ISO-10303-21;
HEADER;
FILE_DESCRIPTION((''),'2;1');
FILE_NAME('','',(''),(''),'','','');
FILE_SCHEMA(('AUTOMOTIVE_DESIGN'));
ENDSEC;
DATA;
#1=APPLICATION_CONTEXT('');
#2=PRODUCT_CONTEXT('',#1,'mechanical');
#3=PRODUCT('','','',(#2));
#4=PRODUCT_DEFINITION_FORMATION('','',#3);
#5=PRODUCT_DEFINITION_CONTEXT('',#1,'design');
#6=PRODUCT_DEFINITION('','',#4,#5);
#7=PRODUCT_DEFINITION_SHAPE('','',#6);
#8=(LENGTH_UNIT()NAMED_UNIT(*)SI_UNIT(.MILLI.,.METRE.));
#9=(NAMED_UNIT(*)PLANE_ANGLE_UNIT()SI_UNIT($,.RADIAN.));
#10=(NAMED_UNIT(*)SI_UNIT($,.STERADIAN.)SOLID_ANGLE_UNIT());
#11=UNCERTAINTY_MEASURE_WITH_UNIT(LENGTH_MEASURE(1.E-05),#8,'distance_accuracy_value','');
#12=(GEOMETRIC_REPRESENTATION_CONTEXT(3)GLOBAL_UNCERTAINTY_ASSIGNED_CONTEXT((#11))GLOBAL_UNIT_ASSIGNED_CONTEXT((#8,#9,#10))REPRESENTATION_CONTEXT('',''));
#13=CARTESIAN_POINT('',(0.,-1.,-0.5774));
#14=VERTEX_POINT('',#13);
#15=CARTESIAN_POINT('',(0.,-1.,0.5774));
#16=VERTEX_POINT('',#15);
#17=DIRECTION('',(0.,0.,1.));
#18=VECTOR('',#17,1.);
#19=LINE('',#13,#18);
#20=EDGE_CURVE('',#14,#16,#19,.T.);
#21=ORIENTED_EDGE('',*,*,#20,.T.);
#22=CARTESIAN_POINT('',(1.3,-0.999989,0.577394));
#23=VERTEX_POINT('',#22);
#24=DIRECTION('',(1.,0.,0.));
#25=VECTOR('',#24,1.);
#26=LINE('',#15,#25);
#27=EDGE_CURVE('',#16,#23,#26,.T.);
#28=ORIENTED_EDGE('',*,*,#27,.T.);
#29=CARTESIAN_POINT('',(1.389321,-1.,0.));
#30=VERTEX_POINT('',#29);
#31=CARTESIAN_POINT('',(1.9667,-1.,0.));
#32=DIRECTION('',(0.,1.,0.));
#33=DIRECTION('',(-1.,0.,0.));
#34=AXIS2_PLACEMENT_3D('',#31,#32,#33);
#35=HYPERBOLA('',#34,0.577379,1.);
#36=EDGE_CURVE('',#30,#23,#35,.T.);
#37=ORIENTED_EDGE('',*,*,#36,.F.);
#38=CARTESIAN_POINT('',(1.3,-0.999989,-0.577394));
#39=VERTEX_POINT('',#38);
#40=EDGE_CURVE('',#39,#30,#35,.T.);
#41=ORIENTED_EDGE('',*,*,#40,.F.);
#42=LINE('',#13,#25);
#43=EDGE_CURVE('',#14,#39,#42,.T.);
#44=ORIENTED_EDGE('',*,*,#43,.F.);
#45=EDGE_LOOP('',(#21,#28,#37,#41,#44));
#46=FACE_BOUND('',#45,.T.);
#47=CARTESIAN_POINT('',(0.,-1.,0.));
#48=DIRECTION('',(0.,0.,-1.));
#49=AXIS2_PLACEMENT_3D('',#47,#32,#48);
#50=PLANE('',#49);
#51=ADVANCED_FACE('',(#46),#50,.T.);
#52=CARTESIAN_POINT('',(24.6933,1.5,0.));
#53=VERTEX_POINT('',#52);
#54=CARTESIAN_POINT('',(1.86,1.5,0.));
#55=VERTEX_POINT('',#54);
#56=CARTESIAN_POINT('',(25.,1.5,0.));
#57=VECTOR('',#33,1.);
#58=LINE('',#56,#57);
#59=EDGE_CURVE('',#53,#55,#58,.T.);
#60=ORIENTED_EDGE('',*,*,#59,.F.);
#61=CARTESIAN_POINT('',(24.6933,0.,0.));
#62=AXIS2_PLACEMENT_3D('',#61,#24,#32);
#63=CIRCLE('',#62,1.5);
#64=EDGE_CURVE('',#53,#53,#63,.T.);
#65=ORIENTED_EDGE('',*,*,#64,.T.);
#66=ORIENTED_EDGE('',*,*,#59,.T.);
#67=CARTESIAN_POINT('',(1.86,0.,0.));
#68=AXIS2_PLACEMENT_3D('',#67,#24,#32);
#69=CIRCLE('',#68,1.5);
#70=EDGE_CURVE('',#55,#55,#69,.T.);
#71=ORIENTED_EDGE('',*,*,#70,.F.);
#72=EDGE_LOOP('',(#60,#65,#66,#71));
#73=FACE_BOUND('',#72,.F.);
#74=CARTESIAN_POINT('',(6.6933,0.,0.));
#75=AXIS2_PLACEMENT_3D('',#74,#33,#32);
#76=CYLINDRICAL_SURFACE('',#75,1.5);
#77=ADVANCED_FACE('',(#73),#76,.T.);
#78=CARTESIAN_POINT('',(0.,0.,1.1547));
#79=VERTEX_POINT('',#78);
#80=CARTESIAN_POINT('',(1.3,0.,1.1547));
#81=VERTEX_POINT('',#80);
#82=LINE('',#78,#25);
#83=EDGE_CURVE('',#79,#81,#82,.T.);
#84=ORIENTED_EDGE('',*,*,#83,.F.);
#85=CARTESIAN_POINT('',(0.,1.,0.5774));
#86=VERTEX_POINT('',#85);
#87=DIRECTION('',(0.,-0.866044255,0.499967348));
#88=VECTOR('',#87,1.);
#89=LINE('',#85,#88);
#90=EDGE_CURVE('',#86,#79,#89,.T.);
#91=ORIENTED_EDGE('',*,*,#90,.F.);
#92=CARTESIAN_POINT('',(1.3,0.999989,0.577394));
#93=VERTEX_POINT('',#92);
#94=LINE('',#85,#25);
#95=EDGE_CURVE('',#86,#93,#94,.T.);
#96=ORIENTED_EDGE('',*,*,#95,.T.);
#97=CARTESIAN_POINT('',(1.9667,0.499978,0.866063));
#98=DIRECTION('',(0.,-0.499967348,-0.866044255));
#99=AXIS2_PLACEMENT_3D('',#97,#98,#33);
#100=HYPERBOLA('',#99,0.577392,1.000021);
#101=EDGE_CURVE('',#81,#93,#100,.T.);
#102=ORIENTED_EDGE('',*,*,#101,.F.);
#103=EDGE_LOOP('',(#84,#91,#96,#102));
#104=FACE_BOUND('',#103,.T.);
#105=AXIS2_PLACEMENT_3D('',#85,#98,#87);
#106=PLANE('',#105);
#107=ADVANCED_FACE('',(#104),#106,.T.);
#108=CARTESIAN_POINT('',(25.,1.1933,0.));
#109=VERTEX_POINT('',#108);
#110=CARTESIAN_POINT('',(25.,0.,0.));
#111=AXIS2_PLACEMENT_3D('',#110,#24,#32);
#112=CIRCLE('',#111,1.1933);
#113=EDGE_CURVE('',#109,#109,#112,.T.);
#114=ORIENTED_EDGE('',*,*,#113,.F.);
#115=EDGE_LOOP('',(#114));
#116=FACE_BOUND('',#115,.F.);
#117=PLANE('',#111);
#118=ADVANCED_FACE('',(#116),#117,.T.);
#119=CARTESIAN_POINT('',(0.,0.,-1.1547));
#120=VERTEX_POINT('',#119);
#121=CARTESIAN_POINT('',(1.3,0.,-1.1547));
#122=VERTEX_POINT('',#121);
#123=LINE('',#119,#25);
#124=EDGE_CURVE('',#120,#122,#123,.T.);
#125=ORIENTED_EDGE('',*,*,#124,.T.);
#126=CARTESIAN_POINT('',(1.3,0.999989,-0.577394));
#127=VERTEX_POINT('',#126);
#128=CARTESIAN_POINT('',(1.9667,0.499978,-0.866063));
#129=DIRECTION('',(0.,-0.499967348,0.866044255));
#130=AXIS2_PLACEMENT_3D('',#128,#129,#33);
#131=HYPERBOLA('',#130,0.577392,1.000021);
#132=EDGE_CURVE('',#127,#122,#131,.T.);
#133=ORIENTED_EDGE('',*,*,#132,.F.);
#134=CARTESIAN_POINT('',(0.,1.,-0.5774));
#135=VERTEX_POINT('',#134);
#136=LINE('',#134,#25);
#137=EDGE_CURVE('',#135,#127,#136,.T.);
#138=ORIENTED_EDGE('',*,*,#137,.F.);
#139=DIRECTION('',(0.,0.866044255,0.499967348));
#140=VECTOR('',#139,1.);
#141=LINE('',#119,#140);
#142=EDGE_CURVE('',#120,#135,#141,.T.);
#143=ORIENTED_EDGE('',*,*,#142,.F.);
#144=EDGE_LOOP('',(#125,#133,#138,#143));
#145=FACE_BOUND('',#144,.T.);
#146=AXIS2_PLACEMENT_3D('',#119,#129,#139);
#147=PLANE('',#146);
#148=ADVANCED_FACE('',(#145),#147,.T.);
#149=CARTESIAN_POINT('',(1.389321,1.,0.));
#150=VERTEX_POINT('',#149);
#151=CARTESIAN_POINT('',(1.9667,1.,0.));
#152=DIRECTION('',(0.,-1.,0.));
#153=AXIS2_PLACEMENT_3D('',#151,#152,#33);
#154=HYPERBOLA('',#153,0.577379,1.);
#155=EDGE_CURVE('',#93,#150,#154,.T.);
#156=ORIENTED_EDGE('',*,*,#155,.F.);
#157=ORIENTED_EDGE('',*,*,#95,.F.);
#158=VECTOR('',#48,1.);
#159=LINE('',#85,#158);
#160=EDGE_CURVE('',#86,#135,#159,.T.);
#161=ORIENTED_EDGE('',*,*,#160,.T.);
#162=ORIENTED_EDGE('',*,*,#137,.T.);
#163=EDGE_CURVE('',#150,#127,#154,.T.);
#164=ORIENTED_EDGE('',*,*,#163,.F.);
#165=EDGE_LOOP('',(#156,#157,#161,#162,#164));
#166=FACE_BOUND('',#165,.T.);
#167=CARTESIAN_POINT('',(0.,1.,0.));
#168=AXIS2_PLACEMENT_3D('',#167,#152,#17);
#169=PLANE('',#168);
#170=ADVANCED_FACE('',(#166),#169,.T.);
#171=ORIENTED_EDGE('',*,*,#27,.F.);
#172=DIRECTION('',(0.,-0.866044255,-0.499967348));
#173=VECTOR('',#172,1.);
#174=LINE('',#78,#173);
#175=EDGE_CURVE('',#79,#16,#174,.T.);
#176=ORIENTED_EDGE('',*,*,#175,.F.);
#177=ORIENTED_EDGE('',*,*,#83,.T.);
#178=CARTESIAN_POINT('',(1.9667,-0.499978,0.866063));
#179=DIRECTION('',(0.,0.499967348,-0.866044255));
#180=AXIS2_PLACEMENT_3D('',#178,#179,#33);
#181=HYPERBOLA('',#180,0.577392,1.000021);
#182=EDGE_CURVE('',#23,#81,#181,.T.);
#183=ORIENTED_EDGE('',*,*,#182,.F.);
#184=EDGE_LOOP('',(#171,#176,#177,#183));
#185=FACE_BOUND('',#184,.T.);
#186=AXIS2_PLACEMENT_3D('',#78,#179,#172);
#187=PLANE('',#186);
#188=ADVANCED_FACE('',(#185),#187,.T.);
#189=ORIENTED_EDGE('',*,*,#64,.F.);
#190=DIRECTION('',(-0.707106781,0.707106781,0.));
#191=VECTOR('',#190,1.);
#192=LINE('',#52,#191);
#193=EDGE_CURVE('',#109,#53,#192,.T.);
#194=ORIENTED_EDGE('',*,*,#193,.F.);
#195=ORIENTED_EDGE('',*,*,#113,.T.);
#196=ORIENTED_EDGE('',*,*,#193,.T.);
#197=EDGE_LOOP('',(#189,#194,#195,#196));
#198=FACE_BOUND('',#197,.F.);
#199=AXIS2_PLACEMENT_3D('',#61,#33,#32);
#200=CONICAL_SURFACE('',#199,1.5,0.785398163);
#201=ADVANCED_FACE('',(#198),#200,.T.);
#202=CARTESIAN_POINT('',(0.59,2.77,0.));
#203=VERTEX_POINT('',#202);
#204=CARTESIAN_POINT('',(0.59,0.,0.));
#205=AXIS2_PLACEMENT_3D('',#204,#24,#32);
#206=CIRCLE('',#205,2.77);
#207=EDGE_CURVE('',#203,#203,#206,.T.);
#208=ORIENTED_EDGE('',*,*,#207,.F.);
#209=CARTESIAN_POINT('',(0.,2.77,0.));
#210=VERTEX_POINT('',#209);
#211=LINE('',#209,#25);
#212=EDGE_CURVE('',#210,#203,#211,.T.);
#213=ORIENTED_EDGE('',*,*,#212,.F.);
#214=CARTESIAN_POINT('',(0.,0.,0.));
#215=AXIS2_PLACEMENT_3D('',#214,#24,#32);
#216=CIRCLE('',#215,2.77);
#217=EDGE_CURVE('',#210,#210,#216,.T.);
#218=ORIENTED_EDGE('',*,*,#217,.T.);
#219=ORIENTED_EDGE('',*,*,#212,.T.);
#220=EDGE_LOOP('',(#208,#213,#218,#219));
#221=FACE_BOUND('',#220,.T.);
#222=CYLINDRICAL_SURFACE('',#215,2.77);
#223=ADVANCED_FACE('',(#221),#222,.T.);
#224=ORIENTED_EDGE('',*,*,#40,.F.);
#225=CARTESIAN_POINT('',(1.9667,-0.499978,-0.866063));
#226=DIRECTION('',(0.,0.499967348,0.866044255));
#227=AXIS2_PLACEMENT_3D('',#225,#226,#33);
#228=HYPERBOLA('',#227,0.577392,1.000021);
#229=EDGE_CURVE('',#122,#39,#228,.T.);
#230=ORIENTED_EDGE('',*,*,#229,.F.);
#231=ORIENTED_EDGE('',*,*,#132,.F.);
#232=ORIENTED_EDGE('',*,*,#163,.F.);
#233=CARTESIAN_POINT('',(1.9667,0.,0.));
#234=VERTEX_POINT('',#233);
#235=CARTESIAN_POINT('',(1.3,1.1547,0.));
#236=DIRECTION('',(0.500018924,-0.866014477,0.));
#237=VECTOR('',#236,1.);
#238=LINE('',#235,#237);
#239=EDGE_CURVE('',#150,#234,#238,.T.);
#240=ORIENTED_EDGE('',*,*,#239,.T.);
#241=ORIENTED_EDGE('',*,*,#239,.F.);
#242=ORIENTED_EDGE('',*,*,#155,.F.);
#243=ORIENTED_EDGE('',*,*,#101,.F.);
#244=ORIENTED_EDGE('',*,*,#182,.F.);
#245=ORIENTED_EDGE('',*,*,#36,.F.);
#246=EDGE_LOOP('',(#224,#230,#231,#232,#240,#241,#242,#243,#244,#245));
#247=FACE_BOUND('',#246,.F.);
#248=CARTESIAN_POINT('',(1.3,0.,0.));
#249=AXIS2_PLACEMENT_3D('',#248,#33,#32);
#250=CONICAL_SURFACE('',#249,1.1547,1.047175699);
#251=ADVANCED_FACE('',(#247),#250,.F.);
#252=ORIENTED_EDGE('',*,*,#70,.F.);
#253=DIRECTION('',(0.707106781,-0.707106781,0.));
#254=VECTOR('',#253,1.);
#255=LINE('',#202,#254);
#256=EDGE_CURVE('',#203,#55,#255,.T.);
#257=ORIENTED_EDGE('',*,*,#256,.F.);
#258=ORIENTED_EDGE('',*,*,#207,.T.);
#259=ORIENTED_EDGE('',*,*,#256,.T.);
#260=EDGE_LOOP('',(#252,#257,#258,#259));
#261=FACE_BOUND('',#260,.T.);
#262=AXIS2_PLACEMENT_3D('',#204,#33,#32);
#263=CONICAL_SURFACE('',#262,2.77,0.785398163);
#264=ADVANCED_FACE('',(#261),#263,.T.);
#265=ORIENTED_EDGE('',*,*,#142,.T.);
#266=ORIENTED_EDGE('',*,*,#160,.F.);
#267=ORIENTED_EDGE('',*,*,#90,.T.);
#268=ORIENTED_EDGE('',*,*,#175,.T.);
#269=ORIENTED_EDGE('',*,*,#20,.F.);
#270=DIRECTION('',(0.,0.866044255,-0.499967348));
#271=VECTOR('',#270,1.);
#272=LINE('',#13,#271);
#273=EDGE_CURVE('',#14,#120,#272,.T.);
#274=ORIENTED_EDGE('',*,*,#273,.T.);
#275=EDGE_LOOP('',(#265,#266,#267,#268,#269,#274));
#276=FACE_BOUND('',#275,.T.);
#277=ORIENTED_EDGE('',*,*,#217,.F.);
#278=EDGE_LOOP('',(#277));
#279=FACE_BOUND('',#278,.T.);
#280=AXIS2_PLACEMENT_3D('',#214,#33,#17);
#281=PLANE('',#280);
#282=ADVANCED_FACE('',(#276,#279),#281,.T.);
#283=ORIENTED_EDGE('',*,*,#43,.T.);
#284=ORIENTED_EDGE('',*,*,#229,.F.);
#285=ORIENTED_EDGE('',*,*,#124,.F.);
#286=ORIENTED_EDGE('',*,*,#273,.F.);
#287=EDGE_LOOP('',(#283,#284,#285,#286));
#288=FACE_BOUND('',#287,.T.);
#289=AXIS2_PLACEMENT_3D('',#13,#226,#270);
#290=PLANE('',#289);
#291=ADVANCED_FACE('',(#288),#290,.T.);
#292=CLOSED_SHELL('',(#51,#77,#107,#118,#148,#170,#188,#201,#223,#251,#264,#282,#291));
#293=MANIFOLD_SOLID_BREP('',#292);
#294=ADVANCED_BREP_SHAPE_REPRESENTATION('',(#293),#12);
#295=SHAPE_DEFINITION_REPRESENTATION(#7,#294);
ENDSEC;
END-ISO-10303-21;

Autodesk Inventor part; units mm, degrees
ref_plane "YZ Plane" through (0, 0, 0) normal (1, 0, 0) x (0, 1, 0)
ref_plane "XZ Plane" through (0, 0, 0) normal (0, 1, 0) x (-1, 0, 0)
sketch "Esquisse1" plane through (0, 0, 0) normal (0, 0, 1) x (1, 0, 0)
  line L0 (25, 0) -> (25, 1.5)
  line L1 (25, 1.5) -> (7, 1.5)
  line L2 (7, 1.5) -> (6.6933, 1.5)
  line L3 (0, 2.77) -> (0, 1.1547)
  line L4 (0, 1.1547) -> (1.3, 1.1547)
  line L5 (1.3, 1.1547) -> (1.9667, 0)
  line L6 (1.9667, 0) -> (25, 0)
  line L7 (0, 2.77) -> (0.59, 2.77)
  line L8 (0.59, 2.77) -> (1.86, 1.5)
  line L9 (6.6933, 1.5) -> (1.86, 1.5)
  line L10 (7, 1.5) -> (1.86, 1.5) construction
  line L11 (1.86, 1.5) -> (1.86, 1.5)
  line L12 (-5, 0) -> (30, 0) projected
  line L13 (0, -0.554) -> (0, 3.324) projected
  dimension "d0" = 25
  dimension "d1" = 18
  dimension "d2" = 1.3
  dimension "d3" = 3
  dimension "d6" = 1.86
  dimension "d7" = 45
  dimension "d8" = 2.3094
  dimension "d9" = 60
  dimension "d10" = 5.54
  dimension "d11" = 3
  dimension "d12" = 0.3067
revolve "Corps" add sketch "Esquisse1" angle 360 about axis through (1.9667, 0, 0) along (1, 0, 0) contours L6 L5 L4 L3 L7 L8 L9 L2 L1 L0
sketch "Esquisse2" plane through (0, 0, 0) normal (-1, 0, 0) x (0, 0, 1)
  circle A0 centre (0, 0) radius 1.1547 projected
  line L0 (0, -3.878) -> (0, 3.878) projected
  line L1 (-3.878, 0) -> (3.878, 0) projected
  line L2 (1.1547, 0) -> (0.5774, -1)
  line L3 (0.5774, -1) -> (-0.5774, -1)
  line L4 (-0.5774, -1) -> (-1.1547, 0)
  line L5 (-1.1547, 0) -> (-0.5774, 1)
  line L6 (-0.5774, 1) -> (0.5774, 1)
  line L7 (0.5774, 1) -> (1.1547, 0)
  point P0 (0, 1.1547)
extrude "Rainure" add sketch "Esquisse2" against normal up to next contours L7 A0 | A0 L2 | L6 L0 A0 | A0 L0 L3 | L0 L6 A0 | A0 L3 L0 | L4 A0 | A0 L5
thread "Filetage" size "M3x0.5" class "6g" standard "ISO Metric profile" length 18
chamfer "Chanfrein1" distance 0.3067 distance2 0.3067 1 edges at (25, -1.5, 0) measured on face at (25, 0.0871, 0.3876)
ref_plane "Work Plane1" through (104.775, 0, 0) normal (0, 0, -1) x (1, 0, 0)
equation "\"d15\" = GEL"
equation "\"d17\" = -0.5 * SPD + 0.5 * GD"
equation "\"d18\" = GUL"
equation "\"d0\" = NLG"
equation "\"d1\" = GEL"
equation "\"d2\" = INTI"
equation "\"d3\" = GD"
equation "\"d6\" = KOH"
equation "\"d7\" = 0.5 * SEWI"
equation "\"d8\" = 1.1547 * SW"
equation "\"d10\" = KOD"
equation "\"d11\" = BDM"
equation "\"d12\" = GAL"
equation "\"NLG\" = 25"
equation "\"INTI\" = 1.3"
equation "\"GEL\" = 18"
equation "\"GAL\" = 0.61345 * PTC"
equation "\"KOH\" = 1.86"
equation "\"KOD\" = 5.54"
equation "\"GUL\" = 0.61345 * PTC"
equation "\"SPD\" = NND - 1.2269 * PTC"
equation "\"BDM\" = NND"
equation "\"GD\" = NND"
equation "\"SEWI\" = 90deg"
equation "\"SW\" = 2"
equation "\"TOA\" = 30deg"
equation "\"GD1\" = THREADDIA - 1.2269 * PTC"
equation "\"EPV\" = 3.36"
equation "\"THREADDIA\" = 3"
equation "\"PTC\" = 0.5"
equation "\"NND\" = 3"
equation "\"E0\" = 2.31"
equation "\"THREADDESC\" = 1.2345"
properties part number "ISO 10642 - M3 x  25" material "Acier"
